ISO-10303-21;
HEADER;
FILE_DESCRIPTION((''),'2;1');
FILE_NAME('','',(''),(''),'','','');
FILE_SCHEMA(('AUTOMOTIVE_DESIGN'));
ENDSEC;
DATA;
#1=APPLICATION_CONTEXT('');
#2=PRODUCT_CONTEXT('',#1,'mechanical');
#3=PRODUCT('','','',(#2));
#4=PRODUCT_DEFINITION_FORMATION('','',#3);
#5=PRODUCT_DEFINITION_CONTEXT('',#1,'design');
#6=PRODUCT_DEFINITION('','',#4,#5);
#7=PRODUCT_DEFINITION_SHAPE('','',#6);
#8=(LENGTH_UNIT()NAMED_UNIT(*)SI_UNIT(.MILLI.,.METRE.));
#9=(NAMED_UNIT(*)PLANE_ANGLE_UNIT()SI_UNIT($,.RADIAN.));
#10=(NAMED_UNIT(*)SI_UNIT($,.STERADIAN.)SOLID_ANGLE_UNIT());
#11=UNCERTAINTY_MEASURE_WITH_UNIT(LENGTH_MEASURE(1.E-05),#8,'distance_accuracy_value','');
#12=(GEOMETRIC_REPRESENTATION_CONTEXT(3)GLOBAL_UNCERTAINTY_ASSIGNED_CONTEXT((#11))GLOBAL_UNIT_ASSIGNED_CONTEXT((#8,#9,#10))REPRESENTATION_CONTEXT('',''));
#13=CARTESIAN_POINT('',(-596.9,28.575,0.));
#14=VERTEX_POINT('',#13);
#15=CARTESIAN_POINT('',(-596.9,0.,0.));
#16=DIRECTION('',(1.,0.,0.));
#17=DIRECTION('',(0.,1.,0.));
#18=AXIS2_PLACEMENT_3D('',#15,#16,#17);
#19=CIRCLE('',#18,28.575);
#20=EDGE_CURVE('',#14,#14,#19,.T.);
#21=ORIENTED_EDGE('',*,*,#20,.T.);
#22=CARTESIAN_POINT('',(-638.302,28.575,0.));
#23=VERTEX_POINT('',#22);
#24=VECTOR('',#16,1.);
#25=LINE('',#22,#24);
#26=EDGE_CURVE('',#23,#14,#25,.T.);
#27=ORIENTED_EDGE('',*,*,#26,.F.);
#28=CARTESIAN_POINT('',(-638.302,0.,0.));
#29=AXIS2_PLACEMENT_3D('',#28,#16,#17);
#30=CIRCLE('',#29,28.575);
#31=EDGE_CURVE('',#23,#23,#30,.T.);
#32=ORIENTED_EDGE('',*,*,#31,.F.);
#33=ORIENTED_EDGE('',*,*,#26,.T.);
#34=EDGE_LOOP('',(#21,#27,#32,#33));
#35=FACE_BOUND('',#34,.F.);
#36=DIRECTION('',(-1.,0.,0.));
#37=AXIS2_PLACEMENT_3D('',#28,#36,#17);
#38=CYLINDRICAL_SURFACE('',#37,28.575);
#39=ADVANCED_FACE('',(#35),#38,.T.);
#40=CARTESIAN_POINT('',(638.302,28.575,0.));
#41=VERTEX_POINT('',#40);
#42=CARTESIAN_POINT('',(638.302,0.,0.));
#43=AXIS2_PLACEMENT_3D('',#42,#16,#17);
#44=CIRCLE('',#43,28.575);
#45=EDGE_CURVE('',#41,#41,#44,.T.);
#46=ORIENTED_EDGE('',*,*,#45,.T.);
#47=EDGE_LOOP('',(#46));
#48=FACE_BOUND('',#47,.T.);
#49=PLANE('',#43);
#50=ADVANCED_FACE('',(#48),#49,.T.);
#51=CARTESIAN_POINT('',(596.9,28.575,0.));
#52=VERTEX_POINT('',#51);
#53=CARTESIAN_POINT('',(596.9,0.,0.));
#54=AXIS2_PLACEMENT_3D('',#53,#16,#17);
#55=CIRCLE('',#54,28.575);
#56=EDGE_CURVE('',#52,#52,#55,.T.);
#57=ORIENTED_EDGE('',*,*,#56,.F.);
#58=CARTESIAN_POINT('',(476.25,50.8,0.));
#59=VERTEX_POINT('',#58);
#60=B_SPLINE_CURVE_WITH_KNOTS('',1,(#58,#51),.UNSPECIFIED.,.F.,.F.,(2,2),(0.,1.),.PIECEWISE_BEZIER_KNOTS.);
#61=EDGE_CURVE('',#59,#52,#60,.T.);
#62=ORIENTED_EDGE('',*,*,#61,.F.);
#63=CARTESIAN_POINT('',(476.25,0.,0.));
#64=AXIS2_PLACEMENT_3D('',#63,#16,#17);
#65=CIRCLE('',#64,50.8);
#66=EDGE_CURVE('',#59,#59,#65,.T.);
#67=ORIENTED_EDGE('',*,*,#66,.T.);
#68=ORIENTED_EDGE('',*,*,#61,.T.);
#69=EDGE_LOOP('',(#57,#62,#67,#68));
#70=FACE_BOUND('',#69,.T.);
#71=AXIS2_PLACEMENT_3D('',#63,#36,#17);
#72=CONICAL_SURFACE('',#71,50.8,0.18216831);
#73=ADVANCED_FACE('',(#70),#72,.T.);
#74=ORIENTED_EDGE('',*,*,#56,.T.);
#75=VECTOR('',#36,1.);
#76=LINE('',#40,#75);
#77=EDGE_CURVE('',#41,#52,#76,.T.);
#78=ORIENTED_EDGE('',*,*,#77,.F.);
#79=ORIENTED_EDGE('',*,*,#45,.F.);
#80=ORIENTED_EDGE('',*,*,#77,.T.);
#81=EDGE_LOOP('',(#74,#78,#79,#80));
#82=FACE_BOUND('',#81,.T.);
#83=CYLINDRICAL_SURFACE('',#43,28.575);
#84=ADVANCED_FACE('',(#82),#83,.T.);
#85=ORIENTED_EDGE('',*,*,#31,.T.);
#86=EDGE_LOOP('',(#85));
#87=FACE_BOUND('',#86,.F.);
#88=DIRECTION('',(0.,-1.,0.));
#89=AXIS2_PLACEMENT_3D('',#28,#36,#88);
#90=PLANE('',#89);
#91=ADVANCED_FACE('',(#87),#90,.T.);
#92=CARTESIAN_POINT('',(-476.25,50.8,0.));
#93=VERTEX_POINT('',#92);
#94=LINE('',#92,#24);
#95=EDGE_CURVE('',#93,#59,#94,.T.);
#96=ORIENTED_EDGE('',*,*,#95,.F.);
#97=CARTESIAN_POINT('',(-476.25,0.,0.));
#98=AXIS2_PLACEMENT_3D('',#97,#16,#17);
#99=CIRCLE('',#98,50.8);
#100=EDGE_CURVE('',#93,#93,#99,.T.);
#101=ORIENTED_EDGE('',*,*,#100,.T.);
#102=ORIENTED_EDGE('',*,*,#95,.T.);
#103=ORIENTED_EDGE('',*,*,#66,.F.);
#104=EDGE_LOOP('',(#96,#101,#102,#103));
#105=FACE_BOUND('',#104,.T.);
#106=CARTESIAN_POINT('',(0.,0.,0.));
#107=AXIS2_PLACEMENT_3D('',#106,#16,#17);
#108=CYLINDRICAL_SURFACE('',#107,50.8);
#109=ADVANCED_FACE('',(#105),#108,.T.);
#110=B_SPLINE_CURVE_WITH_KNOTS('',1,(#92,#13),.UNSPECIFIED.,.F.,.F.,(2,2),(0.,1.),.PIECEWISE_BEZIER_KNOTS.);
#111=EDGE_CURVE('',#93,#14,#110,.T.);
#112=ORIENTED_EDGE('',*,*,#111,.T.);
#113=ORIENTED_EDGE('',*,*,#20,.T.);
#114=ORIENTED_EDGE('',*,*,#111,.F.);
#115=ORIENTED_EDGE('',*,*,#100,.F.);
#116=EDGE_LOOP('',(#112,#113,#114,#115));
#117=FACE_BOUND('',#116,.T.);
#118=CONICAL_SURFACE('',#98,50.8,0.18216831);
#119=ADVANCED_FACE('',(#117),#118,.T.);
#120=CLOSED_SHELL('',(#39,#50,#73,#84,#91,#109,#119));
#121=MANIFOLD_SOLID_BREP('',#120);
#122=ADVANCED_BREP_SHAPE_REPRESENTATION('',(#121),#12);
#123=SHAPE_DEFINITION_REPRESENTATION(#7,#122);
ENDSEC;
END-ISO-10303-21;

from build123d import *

# Parameters (mm, degrees)
F0_R       = 50.8
F1_DEPTH   = 476.25
F3_R       = 28.575
F4_DEPTH   = 41.402
F1_FACE_R  = 50.8
F4_FACE_R  = 28.575
F1_FACE1_R = 50.8
F5_FACE_R  = 28.575


with BuildPart() as f1:
    # F0 (on Right) → F1 (new body, symmetric)
    with BuildSketch(Plane.YZ):
        Circle(F0_R)
    extrude(amount=F1_DEPTH, both=True)



with BuildPart() as f4:
    # F3 (on offset) → F4 (new body)
    with BuildSketch(Plane.YZ.offset(638.302)):
        Circle(F3_R)
    extrude(amount=-F4_DEPTH)


with BuildPart() as f5_1:
    # F5: instance of F4
    add(f4.part.mirror(Plane.YZ))


with BuildPart() as f1_1:
    add(f1.part)

    add(f4.part)  # F6 merges F4
    # F1_face (on face) → F6 section 0
    with BuildSketch(Plane.YZ.offset(476.25)):
        Circle(F1_FACE_R)
    # F4_face (on face) → F6 section 1
    with BuildSketch(Plane(origin=(596.9, 0, 0), x_dir=(0, 1, 0), z_dir=(-1, 0, 0))):
        Circle(F4_FACE_R)
    loft()


    add(f5_1.part)  # F7 merges F5_1
    # F1_face1 (on face) → F7 section 0
    with BuildSketch(Plane(origin=(-476.25, 0, 0), x_dir=(0, 1, 0), z_dir=(-1, 0, 0))):
        Circle(F1_FACE1_R)
    # F5_face (on face) → F7 section 1
    with BuildSketch(Plane.YZ.offset(-596.9)):
        Circle(F5_FACE_R)
    loft()


solid = f1_1.part
